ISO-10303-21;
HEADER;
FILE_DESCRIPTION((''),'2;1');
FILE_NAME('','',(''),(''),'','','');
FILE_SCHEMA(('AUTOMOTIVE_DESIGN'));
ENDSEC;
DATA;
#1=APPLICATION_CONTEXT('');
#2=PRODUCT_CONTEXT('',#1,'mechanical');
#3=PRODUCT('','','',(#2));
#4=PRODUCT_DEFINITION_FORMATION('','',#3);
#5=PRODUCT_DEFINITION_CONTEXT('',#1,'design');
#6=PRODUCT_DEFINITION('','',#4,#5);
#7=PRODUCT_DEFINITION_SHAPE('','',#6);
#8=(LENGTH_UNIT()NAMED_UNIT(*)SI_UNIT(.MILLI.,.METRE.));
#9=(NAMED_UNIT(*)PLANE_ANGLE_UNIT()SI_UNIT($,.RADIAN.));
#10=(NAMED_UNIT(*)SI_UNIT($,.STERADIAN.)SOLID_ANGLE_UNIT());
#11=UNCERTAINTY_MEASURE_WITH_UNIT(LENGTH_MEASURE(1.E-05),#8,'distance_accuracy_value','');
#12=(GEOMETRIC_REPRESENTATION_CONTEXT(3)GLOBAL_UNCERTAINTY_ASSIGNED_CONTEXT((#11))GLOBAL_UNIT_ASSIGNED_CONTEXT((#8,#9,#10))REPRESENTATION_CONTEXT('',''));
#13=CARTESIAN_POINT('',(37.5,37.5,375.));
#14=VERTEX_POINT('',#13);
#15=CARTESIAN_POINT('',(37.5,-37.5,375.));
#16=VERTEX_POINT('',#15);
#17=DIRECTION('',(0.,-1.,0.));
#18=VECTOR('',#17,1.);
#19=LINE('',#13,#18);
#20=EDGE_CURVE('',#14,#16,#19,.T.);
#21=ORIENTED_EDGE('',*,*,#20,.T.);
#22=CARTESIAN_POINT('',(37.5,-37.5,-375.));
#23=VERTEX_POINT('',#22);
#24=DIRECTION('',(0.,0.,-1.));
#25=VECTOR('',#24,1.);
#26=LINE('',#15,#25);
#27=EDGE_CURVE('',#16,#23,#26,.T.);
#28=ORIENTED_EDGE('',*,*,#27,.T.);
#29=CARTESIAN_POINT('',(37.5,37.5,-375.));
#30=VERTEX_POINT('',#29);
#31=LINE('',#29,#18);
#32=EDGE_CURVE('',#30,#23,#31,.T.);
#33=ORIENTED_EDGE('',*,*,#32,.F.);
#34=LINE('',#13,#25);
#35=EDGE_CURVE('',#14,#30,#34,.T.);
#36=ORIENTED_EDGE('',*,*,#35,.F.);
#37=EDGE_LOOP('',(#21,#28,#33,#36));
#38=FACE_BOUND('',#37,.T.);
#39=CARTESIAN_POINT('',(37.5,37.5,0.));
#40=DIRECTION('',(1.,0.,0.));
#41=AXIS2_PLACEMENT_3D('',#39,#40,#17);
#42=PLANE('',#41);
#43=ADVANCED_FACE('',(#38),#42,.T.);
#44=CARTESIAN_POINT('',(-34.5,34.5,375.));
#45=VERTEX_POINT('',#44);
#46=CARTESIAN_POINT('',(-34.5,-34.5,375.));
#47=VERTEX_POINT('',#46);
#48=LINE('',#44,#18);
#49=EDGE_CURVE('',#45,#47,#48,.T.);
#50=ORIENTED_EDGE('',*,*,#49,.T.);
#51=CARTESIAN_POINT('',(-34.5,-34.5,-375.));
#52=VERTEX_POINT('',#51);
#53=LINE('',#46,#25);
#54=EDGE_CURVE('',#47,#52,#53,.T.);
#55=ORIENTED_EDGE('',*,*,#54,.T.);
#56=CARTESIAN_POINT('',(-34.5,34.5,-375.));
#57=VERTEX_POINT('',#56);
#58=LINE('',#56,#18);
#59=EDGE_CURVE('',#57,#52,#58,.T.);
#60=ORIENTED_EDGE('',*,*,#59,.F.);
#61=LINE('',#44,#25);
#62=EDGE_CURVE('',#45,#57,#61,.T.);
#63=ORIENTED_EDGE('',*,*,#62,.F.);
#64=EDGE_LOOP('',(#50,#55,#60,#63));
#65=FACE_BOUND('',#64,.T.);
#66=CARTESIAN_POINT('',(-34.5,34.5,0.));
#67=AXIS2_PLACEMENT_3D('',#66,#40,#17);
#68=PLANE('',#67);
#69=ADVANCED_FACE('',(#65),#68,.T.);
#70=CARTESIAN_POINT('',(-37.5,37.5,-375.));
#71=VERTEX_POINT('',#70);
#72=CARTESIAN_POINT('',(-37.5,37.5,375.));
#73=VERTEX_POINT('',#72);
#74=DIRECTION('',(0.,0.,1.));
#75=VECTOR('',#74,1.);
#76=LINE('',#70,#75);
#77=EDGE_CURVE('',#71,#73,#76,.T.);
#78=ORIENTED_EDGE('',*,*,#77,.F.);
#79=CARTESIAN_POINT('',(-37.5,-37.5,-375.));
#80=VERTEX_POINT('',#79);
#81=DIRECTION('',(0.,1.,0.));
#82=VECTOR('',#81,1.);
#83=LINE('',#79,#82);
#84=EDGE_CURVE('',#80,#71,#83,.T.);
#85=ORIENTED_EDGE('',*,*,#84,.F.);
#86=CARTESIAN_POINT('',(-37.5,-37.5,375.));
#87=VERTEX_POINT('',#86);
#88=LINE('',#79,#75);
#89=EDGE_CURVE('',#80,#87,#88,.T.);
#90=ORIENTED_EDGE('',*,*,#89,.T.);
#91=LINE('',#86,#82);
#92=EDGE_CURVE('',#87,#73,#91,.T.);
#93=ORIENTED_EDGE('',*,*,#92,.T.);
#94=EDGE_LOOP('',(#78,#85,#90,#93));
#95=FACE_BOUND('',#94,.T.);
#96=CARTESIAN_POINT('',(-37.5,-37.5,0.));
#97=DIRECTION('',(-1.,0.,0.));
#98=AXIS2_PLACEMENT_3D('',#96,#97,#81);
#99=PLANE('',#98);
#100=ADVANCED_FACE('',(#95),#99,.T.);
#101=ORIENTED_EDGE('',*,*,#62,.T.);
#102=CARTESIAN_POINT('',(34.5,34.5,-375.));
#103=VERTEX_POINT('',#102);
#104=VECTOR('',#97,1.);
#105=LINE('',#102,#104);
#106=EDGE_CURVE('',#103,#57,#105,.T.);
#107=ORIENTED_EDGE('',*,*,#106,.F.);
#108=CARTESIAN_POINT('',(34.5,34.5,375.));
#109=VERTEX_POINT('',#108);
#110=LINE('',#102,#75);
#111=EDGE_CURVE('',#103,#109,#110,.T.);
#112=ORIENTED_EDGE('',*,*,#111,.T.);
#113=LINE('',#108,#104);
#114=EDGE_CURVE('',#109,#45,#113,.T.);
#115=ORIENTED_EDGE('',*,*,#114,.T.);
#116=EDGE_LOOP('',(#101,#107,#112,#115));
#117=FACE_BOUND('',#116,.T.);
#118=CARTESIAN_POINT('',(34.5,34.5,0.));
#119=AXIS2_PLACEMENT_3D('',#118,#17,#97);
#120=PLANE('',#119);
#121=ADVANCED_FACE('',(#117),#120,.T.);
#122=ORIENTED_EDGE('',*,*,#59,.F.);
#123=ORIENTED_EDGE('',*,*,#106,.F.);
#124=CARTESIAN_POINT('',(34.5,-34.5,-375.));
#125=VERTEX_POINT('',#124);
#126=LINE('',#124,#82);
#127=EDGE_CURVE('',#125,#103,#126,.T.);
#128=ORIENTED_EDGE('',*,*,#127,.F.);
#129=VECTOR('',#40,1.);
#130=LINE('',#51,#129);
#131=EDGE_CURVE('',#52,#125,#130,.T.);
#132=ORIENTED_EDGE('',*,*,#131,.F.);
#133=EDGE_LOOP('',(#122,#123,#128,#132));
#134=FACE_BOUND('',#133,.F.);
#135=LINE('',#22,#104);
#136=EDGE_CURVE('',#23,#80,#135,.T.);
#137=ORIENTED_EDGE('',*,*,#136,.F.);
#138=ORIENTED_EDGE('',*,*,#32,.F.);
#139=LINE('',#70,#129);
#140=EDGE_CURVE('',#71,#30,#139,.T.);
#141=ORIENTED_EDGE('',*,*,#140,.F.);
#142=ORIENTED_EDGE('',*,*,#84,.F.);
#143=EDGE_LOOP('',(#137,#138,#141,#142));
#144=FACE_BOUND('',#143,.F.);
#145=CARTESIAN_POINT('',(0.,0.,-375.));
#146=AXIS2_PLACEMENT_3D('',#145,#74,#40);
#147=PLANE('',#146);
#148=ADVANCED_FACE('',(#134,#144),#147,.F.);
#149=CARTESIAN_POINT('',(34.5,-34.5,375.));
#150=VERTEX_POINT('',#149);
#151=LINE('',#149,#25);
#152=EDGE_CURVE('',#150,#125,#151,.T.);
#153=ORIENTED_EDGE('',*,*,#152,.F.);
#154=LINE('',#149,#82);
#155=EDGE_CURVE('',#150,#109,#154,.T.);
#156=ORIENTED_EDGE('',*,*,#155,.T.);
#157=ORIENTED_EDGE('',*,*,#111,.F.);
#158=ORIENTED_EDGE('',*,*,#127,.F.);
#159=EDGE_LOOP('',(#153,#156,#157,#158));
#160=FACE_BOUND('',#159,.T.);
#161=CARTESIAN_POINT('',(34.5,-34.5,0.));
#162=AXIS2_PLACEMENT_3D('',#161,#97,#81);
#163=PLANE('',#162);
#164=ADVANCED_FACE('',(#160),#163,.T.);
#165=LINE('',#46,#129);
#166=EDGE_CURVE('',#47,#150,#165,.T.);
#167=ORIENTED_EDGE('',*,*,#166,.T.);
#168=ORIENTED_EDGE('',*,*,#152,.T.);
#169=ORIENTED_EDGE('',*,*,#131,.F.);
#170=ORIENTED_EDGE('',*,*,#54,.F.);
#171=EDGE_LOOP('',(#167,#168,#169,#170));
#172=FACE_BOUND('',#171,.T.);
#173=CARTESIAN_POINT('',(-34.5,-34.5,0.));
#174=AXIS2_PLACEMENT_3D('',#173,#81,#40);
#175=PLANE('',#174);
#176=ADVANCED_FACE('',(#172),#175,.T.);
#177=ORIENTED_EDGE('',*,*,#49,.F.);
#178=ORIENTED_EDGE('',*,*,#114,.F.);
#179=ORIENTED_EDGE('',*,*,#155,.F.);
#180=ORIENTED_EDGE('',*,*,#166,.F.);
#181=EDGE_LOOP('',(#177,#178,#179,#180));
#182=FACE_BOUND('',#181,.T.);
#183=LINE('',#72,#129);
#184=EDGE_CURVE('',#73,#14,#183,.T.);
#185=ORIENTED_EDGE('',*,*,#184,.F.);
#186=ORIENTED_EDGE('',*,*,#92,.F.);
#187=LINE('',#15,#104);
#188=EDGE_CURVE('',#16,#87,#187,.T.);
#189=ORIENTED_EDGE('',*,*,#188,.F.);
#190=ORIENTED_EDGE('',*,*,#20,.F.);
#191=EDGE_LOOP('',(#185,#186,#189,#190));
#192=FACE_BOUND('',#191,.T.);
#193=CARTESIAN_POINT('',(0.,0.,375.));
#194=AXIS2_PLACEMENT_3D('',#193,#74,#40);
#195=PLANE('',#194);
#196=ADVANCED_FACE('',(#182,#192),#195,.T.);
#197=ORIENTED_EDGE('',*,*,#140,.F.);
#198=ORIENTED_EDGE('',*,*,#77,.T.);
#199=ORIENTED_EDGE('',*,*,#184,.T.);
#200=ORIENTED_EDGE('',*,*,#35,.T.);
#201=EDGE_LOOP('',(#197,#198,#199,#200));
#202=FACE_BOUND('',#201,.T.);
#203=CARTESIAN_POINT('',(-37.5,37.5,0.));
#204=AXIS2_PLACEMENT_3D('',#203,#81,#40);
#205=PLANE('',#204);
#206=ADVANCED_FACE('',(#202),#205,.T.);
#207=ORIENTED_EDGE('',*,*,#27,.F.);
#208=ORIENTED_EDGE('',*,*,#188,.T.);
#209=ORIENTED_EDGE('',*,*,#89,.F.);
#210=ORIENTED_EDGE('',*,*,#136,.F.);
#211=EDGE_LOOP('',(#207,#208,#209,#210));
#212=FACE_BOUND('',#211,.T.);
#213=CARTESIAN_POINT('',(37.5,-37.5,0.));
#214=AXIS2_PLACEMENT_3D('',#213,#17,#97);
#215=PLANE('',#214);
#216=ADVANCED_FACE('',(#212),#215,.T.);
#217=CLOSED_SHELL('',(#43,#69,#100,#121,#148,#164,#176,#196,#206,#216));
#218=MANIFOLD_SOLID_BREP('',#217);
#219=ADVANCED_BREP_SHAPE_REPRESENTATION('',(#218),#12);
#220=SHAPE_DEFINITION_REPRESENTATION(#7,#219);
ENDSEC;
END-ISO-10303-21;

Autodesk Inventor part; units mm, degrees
ref_plane "YZ Plane" through (0, 0, 0) normal (1, 0, 0) x (0, 1, 0)
ref_plane "XZ Plane" through (0, 0, 0) normal (0, 1, 0) x (-1, 0, 0)
ref_plane "XY Plane" through (0, 0, 0) normal (0, 0, 1) x (1, 0, 0)
sketch "Boceto1" plane through (0, 0, 0) normal (0, 0, 1) x (1, 0, 0)
  line L0 (-37.5, 37.5) -> (37.5, 37.5)
  line L1 (37.5, 37.5) -> (37.5, -37.5)
  line L2 (37.5, -37.5) -> (-37.5, -37.5)
  line L3 (-37.5, -37.5) -> (-37.5, 37.5)
  line L4 (34.5, 34.5) -> (-34.5, 34.5)
  line L5 (-34.5, 34.5) -> (-34.5, -34.5)
  line L6 (-34.5, -34.5) -> (34.5, -34.5)
  line L7 (34.5, -34.5) -> (34.5, 34.5)
  point P0 (0, 0)
  dimension "d0" = 75
  dimension "d1" = 75
  dimension "d2" = 3
  dimension "d3" = 37.5
  dimension "d4" = 37.5
extrude "Extrusión1" add sketch "Boceto1" along normal mid plane 750
equation "\"d0\" = width"
equation "\"d1\" = height"
equation "\"d2\" = t"
equation "\"d3\" = 0.5 * height"
equation "\"d4\" = 0.5 * width"
equation "\"d5\" = length"
equation "\"width\" = 75"
equation "\"height\" = 75"
equation "\"t\" = 3"
equation "\"length\" = 750"
properties part number "75 STEEL PROFILE" material "Acero"
